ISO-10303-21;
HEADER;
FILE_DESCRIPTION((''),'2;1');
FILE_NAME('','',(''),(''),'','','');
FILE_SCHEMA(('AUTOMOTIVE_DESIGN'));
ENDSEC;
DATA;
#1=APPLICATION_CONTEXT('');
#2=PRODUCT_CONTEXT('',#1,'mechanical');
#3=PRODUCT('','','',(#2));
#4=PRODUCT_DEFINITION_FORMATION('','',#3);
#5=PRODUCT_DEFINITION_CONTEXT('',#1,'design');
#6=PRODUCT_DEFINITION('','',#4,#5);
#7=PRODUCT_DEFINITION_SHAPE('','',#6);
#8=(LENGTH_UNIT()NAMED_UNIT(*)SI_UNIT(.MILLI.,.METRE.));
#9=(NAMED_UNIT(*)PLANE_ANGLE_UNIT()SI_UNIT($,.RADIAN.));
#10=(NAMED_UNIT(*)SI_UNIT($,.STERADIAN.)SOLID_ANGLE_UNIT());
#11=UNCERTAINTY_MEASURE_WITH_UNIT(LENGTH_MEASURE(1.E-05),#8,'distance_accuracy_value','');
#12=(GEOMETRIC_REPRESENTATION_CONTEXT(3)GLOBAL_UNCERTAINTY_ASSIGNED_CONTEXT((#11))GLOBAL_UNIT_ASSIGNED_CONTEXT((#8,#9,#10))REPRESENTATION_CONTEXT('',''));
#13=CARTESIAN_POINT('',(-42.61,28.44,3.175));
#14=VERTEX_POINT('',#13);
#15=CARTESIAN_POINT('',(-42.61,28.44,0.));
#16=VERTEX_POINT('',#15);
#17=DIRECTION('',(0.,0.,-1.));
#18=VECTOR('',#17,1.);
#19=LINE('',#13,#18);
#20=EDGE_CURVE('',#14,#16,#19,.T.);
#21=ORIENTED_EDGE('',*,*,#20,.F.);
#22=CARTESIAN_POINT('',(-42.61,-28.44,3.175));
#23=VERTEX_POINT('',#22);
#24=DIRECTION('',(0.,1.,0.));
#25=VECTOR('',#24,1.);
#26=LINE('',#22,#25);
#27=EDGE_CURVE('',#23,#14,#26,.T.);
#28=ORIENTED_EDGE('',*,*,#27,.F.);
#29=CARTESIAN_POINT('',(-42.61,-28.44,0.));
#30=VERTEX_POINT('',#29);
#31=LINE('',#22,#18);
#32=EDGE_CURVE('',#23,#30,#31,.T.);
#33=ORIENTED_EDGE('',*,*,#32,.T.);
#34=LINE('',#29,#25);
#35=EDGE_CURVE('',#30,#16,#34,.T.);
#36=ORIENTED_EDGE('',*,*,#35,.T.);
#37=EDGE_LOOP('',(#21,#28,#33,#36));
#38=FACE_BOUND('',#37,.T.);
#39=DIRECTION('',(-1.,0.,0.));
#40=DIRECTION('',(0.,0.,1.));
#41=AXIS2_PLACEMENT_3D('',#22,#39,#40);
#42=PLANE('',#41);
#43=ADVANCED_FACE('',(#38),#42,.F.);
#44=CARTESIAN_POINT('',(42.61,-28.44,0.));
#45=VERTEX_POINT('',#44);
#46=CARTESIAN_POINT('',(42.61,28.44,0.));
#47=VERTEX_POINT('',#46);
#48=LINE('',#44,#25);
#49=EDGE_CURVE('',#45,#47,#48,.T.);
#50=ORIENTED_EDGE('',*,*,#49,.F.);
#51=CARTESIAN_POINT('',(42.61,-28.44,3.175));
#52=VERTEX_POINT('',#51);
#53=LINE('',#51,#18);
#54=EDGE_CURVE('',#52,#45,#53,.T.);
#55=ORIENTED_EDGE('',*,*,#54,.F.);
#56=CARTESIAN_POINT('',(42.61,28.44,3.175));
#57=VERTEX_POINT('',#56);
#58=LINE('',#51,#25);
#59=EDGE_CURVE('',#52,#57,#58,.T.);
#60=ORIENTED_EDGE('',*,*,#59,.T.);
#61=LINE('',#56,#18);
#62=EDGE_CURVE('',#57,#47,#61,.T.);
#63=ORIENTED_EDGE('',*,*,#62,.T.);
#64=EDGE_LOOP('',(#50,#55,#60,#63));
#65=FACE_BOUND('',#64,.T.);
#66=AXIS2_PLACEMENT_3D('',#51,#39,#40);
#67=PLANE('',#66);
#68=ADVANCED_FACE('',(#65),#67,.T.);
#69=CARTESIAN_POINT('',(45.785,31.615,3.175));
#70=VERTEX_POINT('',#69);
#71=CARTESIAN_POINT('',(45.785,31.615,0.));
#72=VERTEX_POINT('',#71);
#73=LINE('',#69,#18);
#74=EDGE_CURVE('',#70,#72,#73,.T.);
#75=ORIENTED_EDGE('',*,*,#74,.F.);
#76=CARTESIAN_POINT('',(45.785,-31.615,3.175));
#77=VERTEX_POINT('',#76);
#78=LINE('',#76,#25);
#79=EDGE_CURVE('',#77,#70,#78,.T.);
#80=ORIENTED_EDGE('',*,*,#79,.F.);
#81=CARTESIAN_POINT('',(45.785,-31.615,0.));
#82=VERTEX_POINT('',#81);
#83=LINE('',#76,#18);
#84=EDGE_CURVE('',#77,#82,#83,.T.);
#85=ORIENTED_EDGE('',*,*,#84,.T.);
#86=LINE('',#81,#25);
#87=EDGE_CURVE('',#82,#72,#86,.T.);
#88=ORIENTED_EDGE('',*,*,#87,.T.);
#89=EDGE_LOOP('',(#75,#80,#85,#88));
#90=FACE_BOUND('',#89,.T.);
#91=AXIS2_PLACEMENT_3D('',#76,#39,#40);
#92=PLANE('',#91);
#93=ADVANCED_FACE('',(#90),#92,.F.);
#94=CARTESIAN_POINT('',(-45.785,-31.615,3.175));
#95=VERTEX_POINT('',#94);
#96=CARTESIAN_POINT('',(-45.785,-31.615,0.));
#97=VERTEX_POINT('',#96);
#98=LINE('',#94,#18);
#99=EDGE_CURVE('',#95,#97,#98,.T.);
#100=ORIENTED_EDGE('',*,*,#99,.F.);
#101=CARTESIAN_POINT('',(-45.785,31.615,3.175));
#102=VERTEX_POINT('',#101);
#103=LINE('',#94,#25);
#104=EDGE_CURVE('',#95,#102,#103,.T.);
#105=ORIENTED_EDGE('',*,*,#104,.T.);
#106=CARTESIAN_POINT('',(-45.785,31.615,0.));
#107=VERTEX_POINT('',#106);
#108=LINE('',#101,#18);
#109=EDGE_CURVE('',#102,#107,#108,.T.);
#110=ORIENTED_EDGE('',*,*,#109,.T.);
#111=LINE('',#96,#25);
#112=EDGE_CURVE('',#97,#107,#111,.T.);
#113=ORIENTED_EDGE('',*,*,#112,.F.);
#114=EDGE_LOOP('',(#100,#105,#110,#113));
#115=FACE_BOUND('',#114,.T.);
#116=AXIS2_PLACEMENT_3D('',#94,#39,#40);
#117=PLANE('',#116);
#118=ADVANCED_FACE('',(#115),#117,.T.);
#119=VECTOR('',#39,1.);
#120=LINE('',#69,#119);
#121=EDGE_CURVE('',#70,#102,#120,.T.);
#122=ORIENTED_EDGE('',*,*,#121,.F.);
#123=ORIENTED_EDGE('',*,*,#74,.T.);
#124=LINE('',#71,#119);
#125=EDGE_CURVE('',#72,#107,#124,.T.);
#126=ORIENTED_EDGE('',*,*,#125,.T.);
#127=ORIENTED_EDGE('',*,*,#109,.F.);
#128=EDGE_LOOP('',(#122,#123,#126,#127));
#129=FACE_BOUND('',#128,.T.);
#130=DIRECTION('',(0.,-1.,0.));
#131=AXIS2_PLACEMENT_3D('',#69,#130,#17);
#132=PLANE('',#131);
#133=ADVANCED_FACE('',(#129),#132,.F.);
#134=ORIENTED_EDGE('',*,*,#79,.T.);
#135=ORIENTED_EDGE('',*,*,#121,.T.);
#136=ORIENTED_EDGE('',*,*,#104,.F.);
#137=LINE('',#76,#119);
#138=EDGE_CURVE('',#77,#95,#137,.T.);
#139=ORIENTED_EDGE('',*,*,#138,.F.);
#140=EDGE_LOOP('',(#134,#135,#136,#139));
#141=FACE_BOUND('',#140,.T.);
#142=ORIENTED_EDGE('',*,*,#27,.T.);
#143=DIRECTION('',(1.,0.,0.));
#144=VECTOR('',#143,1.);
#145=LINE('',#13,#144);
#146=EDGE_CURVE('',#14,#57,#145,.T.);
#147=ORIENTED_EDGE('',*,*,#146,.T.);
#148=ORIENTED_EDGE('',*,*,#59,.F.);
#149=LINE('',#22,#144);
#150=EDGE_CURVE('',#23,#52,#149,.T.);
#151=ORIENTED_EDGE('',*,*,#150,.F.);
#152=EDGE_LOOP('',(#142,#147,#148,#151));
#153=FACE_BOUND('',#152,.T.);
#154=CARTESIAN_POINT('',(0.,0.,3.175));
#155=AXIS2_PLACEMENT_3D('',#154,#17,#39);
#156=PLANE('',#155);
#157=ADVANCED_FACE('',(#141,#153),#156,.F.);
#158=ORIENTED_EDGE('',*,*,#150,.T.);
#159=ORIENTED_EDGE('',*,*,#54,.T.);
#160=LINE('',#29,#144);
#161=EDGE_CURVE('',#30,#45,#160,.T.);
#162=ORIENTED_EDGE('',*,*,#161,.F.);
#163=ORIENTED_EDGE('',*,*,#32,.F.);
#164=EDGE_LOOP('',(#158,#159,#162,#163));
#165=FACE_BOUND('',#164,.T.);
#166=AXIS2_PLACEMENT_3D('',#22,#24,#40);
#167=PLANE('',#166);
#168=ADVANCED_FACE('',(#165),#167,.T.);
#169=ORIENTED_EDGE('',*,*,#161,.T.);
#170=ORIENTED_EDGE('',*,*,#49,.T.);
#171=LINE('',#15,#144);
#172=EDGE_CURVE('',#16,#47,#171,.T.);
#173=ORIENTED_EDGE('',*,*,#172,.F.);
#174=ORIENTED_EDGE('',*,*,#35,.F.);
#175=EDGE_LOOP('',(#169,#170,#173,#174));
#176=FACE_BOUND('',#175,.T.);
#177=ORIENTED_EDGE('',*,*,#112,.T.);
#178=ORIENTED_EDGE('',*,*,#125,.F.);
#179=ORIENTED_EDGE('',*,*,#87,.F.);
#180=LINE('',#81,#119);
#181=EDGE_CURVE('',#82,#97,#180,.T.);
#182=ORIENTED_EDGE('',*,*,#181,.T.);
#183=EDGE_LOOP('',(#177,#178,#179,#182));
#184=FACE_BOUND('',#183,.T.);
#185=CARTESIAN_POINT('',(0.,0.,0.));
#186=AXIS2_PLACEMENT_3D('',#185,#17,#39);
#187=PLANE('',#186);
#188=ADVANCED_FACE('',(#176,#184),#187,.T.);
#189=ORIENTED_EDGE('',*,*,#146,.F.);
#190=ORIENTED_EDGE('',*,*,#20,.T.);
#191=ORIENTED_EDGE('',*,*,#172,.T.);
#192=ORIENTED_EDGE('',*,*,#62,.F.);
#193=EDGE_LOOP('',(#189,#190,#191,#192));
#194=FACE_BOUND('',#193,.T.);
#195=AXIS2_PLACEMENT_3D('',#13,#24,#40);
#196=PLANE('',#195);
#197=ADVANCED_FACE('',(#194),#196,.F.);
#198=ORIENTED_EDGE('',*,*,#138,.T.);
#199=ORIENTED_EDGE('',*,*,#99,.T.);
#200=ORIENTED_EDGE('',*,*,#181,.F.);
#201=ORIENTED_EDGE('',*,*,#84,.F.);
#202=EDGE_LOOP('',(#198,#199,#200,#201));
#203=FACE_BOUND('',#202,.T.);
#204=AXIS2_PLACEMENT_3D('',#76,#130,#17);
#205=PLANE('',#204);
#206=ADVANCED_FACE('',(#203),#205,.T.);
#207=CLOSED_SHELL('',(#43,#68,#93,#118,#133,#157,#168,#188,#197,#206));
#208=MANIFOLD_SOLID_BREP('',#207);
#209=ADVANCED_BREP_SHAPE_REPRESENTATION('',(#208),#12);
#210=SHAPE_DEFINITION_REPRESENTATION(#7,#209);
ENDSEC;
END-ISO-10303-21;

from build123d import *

# Parameters (mm, degrees)
SKETCH1_W           = 91.57
SKETCH1_H           = 63.23
SKETCH1_W_2         = 85.22
SKETCH1_H_2         = 56.88
BOSS_EXTRUDE1_DEPTH = 3.175


with BuildPart() as part:
    # Sketch1 → Boss-Extrude1 (new body)
    with BuildSketch(Plane.XY):
        Rectangle(SKETCH1_W, SKETCH1_H)
        Rectangle(SKETCH1_W_2, SKETCH1_H_2, mode=Mode.SUBTRACT)
    extrude(amount=BOSS_EXTRUDE1_DEPTH)


solid = part.part
